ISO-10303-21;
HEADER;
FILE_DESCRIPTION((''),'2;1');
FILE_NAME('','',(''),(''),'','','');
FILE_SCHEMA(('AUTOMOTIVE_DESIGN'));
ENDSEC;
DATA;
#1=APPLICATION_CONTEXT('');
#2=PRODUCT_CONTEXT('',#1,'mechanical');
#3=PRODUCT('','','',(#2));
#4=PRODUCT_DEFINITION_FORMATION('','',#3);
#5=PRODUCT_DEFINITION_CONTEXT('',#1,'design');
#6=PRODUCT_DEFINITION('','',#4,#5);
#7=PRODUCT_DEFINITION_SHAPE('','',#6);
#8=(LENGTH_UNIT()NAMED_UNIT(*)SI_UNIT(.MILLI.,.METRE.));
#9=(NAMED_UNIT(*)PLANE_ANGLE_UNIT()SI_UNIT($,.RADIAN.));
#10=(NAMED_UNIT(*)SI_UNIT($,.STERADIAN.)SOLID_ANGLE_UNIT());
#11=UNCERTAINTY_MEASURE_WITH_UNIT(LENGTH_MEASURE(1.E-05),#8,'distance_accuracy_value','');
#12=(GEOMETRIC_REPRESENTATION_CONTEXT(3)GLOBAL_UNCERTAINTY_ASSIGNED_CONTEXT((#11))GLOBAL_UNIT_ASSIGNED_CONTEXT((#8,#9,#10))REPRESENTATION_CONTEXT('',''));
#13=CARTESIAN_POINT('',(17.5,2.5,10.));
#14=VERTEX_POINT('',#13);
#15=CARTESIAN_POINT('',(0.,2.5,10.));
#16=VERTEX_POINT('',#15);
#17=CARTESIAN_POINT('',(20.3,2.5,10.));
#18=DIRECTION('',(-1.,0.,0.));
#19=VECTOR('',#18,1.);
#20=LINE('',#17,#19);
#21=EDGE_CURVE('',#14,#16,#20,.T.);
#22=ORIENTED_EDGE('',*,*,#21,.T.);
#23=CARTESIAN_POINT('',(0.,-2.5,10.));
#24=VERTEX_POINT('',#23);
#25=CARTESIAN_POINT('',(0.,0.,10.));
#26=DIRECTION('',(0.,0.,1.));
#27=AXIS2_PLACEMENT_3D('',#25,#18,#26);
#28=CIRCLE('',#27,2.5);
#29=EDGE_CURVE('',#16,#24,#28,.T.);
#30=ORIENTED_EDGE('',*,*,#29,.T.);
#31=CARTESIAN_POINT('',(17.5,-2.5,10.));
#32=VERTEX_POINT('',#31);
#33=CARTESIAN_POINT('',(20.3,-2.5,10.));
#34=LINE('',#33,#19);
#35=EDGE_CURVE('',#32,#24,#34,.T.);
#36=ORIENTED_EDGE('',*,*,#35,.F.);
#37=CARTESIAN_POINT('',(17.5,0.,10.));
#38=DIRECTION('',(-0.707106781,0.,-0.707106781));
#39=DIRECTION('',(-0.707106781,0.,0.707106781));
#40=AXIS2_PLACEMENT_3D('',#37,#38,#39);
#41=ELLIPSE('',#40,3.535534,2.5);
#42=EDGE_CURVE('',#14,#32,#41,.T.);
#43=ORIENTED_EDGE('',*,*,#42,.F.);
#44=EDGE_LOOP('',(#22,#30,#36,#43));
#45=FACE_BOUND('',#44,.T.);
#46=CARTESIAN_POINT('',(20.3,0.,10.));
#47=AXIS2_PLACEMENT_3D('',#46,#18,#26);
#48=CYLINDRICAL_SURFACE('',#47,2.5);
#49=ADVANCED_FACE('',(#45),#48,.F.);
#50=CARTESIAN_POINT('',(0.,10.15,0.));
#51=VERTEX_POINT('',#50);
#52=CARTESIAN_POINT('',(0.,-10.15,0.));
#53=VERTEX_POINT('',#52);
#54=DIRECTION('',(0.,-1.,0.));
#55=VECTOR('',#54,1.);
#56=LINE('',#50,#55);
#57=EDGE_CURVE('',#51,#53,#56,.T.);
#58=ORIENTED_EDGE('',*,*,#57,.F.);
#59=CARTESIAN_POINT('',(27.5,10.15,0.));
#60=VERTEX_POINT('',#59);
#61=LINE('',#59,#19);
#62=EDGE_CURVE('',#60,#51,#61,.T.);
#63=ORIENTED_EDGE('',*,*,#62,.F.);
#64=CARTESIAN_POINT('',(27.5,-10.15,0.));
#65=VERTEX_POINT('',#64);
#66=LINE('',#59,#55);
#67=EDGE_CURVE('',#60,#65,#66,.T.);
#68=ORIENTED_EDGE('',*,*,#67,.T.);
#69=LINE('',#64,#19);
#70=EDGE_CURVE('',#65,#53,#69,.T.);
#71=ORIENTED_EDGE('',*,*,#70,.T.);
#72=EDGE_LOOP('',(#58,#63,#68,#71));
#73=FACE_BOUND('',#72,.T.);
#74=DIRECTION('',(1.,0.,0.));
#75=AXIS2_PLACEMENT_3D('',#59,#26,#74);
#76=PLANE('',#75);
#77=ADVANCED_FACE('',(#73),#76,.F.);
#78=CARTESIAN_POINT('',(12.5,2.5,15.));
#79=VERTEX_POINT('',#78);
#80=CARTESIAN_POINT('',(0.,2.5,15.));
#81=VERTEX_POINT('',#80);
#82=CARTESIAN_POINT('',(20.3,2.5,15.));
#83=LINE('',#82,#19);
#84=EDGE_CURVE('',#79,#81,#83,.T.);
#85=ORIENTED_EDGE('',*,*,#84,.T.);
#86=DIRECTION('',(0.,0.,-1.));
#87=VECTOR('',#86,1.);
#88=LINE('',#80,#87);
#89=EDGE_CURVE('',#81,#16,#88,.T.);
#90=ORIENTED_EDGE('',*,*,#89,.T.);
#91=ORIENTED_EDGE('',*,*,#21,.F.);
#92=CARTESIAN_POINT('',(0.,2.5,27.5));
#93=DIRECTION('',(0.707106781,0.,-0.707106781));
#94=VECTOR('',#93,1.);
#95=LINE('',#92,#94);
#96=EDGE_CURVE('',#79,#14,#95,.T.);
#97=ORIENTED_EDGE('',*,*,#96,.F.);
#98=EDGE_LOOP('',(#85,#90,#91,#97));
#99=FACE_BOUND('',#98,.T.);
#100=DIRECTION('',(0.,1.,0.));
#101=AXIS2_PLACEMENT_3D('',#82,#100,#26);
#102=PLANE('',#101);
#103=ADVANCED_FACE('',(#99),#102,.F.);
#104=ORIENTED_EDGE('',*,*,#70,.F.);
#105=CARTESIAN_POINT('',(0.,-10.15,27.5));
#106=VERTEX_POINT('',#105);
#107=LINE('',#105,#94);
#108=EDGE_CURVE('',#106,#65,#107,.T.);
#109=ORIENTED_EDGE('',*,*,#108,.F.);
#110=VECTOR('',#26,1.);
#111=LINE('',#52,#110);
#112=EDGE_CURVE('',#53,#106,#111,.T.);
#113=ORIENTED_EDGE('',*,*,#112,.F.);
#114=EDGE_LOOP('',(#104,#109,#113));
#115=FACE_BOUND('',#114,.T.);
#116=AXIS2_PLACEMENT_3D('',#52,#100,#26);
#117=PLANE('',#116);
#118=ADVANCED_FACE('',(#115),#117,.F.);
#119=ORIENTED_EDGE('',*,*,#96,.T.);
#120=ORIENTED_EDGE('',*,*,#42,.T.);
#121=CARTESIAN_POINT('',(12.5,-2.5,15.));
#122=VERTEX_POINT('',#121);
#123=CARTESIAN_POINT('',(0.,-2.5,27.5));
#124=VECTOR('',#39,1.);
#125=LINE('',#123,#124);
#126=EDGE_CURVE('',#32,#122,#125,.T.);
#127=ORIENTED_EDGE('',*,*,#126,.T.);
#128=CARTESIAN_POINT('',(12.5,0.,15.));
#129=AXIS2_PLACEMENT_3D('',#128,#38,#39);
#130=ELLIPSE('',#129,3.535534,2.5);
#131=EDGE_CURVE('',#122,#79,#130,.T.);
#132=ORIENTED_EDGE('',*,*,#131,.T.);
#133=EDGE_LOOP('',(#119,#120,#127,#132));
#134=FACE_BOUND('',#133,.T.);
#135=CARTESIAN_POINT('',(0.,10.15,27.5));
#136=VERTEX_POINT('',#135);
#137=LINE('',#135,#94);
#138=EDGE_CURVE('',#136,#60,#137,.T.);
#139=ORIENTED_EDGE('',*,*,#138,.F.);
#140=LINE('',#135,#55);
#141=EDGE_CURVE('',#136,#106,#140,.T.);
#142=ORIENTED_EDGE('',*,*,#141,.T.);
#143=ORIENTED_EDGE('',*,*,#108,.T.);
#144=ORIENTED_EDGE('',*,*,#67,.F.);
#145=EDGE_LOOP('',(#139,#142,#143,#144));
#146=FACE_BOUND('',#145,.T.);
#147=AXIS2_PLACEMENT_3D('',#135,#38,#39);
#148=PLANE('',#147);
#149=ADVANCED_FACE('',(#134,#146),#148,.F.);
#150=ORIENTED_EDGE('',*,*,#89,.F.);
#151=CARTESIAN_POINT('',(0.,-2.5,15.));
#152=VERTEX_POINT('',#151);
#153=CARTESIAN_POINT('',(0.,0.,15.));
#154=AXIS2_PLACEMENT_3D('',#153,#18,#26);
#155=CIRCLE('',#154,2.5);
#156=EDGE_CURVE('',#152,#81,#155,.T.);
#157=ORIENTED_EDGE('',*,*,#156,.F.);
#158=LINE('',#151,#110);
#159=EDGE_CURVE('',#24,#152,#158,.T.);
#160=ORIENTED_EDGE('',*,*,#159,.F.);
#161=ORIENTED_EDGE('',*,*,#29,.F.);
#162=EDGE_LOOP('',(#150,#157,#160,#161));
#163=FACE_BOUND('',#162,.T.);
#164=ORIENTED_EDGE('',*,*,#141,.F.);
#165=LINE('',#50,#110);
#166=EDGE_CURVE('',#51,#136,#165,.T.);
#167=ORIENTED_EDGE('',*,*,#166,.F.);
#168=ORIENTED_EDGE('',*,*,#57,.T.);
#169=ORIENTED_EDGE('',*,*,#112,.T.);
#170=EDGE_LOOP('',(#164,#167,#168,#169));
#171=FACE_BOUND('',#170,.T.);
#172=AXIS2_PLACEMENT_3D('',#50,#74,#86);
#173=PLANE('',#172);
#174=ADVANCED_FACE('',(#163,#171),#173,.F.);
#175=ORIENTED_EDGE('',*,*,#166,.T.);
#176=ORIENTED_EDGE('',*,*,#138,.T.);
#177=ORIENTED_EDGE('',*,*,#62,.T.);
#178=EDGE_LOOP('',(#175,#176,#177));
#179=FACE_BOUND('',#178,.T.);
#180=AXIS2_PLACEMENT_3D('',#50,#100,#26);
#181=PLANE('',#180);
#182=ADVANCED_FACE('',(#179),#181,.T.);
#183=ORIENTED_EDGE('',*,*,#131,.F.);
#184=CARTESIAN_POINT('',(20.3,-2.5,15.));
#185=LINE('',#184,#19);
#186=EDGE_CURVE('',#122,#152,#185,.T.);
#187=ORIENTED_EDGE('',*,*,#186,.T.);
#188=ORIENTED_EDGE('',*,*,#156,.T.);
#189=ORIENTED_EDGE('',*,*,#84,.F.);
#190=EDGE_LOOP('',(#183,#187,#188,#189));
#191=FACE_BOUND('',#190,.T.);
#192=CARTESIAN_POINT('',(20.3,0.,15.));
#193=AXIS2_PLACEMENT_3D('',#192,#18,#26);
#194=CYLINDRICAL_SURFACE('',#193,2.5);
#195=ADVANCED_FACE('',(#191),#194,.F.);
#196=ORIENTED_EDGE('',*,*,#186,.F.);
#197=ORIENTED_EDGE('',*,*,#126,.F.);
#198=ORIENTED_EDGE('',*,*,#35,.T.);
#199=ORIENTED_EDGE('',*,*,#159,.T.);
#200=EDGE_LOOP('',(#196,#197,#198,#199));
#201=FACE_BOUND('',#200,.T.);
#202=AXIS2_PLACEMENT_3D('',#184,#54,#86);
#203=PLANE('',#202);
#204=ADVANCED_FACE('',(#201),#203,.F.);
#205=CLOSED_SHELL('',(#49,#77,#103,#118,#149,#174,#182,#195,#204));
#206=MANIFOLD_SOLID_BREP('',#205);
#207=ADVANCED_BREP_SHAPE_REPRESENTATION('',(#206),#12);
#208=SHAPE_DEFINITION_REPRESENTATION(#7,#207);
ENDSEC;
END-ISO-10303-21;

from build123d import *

# Parameters (mm, degrees)
BOSS_EXTRUDE1_DEPTH = 10.15
CUT_EXTRUDE1_DEPTH  = 20.3


with BuildPart() as part:
    # Sketch1 → Boss-Extrude1 (new, symmetric)
    with BuildSketch(Plane(origin=(0, 0, 0), x_dir=(1, 0, 0), z_dir=(0, 1, 0))):
        Polygon((0, 0), (0, -27.5), (27.5, 0), align=None)
    extrude(amount=BOSS_EXTRUDE1_DEPTH, both=True)

    # Sketch2 → Cut-Extrude1 (cut)
    with BuildSketch(Plane.ZY):
        with BuildLine():
            Line((15, -2.5), (10, -2.5))
            ThreePointArc((10, -2.5), (7.5, 0), (10, 2.5))
            Line((10, 2.5), (15, 2.5))
            ThreePointArc((15, 2.5), (17.5, 0), (15, -2.5))
        make_face()
    extrude(amount=-CUT_EXTRUDE1_DEPTH, mode=Mode.SUBTRACT)


solid = part.part
